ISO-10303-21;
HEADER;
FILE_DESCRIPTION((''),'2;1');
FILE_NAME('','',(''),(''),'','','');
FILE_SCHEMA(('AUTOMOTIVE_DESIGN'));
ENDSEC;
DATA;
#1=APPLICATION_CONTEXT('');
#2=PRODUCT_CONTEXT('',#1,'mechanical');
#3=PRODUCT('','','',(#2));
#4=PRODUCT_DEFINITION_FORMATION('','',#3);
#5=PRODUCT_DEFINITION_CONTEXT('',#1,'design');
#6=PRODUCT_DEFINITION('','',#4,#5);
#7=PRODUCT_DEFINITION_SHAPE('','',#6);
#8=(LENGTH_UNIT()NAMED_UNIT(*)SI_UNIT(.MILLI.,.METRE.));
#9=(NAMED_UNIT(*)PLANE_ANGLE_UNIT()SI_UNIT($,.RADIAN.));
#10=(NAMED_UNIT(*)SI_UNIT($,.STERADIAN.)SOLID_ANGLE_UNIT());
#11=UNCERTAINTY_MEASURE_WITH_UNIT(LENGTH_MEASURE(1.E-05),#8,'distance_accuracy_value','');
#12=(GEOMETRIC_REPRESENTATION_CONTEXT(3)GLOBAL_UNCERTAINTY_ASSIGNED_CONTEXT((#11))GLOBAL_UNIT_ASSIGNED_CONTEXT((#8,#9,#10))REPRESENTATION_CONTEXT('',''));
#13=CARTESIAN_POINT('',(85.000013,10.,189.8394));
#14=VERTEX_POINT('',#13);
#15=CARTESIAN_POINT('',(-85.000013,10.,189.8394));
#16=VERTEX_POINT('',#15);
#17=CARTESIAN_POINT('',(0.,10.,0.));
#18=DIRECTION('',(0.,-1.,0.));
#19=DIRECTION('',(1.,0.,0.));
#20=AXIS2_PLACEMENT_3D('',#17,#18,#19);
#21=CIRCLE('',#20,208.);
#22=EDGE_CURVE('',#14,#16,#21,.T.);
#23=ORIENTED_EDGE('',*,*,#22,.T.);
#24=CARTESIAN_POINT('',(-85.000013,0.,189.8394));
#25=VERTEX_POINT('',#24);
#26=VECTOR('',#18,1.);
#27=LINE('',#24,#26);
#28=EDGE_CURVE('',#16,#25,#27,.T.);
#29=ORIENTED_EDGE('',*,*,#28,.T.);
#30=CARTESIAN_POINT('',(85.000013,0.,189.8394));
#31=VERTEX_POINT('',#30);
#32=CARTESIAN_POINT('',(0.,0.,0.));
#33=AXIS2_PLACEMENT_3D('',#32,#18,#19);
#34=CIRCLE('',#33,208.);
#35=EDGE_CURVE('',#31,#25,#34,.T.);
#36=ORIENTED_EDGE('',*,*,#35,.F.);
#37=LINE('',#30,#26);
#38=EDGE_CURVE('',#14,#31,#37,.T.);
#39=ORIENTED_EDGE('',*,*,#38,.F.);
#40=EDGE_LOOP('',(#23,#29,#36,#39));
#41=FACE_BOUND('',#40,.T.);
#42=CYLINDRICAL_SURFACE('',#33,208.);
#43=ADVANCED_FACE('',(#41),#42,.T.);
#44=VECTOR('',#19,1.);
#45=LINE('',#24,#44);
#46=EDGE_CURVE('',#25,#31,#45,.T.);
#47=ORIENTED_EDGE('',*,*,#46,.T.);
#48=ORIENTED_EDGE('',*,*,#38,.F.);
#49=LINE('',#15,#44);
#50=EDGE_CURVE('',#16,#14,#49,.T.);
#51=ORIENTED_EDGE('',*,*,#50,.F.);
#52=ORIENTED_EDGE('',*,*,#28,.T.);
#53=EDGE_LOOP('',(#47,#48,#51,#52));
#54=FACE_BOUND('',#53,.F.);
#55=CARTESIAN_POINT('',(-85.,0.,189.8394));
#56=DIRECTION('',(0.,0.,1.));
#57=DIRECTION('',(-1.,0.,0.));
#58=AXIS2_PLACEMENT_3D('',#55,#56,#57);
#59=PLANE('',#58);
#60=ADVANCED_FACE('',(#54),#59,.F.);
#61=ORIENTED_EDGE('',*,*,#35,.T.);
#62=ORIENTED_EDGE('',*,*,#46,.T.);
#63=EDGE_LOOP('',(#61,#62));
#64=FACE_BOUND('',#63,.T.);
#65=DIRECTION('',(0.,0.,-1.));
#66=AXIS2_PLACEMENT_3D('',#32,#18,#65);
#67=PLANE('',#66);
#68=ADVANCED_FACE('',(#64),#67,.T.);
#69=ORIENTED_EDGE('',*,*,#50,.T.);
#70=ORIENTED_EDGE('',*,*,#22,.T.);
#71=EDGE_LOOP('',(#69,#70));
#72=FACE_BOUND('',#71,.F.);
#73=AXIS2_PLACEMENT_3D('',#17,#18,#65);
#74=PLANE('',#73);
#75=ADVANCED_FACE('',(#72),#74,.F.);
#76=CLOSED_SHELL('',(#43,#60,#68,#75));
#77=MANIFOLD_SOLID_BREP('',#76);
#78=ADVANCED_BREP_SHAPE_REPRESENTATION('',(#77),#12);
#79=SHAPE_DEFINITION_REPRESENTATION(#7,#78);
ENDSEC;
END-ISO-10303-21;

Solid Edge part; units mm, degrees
sketch "Sketch1" plane through (0, 0, 0) normal (0, -1, 0) x (1, 0, 0)
  circle A0 centre (0, 0) radius 208
  dimension "D1" = 416
extrude "Protrusion1" add sketch "Sketch1" against normal blind 10
sketch "Sketch2" plane through (0, 0, 0) normal (0, -1, 0) x (1, 0, 0)
  line L0 (-85, 189.8394) -> (-220.8114, 189.8394)
  line L1 (-220.8114, 189.8394) -> (-220.8114, -245.3856)
  line L2 (-220.8114, -245.3856) -> (-85, -245.3856)
  line L3 (-85, -245.3856) -> (-85, 189.8394)
  line L4 (85, 189.8394) -> (232.2081, 189.8394)
  line L5 (232.2081, 189.8394) -> (232.2081, -245.3856)
  line L6 (232.2081, -245.3856) -> (85, -245.3856)
  line L7 (85, -245.3856) -> (85, 189.8394)
  line L8 (-85, 189.8394) -> (85, 189.8394)
  line L9 (85, 189.8394) -> (85, -244.6733)
  line L10 (85, -244.6733) -> (-85, -244.6733)
  line L11 (-85, -244.6733) -> (-85, 189.8394)
  dimension "D1" = 170
extrude "Ausschnitt_7" cut sketch "Sketch2" against normal blind 85.725
